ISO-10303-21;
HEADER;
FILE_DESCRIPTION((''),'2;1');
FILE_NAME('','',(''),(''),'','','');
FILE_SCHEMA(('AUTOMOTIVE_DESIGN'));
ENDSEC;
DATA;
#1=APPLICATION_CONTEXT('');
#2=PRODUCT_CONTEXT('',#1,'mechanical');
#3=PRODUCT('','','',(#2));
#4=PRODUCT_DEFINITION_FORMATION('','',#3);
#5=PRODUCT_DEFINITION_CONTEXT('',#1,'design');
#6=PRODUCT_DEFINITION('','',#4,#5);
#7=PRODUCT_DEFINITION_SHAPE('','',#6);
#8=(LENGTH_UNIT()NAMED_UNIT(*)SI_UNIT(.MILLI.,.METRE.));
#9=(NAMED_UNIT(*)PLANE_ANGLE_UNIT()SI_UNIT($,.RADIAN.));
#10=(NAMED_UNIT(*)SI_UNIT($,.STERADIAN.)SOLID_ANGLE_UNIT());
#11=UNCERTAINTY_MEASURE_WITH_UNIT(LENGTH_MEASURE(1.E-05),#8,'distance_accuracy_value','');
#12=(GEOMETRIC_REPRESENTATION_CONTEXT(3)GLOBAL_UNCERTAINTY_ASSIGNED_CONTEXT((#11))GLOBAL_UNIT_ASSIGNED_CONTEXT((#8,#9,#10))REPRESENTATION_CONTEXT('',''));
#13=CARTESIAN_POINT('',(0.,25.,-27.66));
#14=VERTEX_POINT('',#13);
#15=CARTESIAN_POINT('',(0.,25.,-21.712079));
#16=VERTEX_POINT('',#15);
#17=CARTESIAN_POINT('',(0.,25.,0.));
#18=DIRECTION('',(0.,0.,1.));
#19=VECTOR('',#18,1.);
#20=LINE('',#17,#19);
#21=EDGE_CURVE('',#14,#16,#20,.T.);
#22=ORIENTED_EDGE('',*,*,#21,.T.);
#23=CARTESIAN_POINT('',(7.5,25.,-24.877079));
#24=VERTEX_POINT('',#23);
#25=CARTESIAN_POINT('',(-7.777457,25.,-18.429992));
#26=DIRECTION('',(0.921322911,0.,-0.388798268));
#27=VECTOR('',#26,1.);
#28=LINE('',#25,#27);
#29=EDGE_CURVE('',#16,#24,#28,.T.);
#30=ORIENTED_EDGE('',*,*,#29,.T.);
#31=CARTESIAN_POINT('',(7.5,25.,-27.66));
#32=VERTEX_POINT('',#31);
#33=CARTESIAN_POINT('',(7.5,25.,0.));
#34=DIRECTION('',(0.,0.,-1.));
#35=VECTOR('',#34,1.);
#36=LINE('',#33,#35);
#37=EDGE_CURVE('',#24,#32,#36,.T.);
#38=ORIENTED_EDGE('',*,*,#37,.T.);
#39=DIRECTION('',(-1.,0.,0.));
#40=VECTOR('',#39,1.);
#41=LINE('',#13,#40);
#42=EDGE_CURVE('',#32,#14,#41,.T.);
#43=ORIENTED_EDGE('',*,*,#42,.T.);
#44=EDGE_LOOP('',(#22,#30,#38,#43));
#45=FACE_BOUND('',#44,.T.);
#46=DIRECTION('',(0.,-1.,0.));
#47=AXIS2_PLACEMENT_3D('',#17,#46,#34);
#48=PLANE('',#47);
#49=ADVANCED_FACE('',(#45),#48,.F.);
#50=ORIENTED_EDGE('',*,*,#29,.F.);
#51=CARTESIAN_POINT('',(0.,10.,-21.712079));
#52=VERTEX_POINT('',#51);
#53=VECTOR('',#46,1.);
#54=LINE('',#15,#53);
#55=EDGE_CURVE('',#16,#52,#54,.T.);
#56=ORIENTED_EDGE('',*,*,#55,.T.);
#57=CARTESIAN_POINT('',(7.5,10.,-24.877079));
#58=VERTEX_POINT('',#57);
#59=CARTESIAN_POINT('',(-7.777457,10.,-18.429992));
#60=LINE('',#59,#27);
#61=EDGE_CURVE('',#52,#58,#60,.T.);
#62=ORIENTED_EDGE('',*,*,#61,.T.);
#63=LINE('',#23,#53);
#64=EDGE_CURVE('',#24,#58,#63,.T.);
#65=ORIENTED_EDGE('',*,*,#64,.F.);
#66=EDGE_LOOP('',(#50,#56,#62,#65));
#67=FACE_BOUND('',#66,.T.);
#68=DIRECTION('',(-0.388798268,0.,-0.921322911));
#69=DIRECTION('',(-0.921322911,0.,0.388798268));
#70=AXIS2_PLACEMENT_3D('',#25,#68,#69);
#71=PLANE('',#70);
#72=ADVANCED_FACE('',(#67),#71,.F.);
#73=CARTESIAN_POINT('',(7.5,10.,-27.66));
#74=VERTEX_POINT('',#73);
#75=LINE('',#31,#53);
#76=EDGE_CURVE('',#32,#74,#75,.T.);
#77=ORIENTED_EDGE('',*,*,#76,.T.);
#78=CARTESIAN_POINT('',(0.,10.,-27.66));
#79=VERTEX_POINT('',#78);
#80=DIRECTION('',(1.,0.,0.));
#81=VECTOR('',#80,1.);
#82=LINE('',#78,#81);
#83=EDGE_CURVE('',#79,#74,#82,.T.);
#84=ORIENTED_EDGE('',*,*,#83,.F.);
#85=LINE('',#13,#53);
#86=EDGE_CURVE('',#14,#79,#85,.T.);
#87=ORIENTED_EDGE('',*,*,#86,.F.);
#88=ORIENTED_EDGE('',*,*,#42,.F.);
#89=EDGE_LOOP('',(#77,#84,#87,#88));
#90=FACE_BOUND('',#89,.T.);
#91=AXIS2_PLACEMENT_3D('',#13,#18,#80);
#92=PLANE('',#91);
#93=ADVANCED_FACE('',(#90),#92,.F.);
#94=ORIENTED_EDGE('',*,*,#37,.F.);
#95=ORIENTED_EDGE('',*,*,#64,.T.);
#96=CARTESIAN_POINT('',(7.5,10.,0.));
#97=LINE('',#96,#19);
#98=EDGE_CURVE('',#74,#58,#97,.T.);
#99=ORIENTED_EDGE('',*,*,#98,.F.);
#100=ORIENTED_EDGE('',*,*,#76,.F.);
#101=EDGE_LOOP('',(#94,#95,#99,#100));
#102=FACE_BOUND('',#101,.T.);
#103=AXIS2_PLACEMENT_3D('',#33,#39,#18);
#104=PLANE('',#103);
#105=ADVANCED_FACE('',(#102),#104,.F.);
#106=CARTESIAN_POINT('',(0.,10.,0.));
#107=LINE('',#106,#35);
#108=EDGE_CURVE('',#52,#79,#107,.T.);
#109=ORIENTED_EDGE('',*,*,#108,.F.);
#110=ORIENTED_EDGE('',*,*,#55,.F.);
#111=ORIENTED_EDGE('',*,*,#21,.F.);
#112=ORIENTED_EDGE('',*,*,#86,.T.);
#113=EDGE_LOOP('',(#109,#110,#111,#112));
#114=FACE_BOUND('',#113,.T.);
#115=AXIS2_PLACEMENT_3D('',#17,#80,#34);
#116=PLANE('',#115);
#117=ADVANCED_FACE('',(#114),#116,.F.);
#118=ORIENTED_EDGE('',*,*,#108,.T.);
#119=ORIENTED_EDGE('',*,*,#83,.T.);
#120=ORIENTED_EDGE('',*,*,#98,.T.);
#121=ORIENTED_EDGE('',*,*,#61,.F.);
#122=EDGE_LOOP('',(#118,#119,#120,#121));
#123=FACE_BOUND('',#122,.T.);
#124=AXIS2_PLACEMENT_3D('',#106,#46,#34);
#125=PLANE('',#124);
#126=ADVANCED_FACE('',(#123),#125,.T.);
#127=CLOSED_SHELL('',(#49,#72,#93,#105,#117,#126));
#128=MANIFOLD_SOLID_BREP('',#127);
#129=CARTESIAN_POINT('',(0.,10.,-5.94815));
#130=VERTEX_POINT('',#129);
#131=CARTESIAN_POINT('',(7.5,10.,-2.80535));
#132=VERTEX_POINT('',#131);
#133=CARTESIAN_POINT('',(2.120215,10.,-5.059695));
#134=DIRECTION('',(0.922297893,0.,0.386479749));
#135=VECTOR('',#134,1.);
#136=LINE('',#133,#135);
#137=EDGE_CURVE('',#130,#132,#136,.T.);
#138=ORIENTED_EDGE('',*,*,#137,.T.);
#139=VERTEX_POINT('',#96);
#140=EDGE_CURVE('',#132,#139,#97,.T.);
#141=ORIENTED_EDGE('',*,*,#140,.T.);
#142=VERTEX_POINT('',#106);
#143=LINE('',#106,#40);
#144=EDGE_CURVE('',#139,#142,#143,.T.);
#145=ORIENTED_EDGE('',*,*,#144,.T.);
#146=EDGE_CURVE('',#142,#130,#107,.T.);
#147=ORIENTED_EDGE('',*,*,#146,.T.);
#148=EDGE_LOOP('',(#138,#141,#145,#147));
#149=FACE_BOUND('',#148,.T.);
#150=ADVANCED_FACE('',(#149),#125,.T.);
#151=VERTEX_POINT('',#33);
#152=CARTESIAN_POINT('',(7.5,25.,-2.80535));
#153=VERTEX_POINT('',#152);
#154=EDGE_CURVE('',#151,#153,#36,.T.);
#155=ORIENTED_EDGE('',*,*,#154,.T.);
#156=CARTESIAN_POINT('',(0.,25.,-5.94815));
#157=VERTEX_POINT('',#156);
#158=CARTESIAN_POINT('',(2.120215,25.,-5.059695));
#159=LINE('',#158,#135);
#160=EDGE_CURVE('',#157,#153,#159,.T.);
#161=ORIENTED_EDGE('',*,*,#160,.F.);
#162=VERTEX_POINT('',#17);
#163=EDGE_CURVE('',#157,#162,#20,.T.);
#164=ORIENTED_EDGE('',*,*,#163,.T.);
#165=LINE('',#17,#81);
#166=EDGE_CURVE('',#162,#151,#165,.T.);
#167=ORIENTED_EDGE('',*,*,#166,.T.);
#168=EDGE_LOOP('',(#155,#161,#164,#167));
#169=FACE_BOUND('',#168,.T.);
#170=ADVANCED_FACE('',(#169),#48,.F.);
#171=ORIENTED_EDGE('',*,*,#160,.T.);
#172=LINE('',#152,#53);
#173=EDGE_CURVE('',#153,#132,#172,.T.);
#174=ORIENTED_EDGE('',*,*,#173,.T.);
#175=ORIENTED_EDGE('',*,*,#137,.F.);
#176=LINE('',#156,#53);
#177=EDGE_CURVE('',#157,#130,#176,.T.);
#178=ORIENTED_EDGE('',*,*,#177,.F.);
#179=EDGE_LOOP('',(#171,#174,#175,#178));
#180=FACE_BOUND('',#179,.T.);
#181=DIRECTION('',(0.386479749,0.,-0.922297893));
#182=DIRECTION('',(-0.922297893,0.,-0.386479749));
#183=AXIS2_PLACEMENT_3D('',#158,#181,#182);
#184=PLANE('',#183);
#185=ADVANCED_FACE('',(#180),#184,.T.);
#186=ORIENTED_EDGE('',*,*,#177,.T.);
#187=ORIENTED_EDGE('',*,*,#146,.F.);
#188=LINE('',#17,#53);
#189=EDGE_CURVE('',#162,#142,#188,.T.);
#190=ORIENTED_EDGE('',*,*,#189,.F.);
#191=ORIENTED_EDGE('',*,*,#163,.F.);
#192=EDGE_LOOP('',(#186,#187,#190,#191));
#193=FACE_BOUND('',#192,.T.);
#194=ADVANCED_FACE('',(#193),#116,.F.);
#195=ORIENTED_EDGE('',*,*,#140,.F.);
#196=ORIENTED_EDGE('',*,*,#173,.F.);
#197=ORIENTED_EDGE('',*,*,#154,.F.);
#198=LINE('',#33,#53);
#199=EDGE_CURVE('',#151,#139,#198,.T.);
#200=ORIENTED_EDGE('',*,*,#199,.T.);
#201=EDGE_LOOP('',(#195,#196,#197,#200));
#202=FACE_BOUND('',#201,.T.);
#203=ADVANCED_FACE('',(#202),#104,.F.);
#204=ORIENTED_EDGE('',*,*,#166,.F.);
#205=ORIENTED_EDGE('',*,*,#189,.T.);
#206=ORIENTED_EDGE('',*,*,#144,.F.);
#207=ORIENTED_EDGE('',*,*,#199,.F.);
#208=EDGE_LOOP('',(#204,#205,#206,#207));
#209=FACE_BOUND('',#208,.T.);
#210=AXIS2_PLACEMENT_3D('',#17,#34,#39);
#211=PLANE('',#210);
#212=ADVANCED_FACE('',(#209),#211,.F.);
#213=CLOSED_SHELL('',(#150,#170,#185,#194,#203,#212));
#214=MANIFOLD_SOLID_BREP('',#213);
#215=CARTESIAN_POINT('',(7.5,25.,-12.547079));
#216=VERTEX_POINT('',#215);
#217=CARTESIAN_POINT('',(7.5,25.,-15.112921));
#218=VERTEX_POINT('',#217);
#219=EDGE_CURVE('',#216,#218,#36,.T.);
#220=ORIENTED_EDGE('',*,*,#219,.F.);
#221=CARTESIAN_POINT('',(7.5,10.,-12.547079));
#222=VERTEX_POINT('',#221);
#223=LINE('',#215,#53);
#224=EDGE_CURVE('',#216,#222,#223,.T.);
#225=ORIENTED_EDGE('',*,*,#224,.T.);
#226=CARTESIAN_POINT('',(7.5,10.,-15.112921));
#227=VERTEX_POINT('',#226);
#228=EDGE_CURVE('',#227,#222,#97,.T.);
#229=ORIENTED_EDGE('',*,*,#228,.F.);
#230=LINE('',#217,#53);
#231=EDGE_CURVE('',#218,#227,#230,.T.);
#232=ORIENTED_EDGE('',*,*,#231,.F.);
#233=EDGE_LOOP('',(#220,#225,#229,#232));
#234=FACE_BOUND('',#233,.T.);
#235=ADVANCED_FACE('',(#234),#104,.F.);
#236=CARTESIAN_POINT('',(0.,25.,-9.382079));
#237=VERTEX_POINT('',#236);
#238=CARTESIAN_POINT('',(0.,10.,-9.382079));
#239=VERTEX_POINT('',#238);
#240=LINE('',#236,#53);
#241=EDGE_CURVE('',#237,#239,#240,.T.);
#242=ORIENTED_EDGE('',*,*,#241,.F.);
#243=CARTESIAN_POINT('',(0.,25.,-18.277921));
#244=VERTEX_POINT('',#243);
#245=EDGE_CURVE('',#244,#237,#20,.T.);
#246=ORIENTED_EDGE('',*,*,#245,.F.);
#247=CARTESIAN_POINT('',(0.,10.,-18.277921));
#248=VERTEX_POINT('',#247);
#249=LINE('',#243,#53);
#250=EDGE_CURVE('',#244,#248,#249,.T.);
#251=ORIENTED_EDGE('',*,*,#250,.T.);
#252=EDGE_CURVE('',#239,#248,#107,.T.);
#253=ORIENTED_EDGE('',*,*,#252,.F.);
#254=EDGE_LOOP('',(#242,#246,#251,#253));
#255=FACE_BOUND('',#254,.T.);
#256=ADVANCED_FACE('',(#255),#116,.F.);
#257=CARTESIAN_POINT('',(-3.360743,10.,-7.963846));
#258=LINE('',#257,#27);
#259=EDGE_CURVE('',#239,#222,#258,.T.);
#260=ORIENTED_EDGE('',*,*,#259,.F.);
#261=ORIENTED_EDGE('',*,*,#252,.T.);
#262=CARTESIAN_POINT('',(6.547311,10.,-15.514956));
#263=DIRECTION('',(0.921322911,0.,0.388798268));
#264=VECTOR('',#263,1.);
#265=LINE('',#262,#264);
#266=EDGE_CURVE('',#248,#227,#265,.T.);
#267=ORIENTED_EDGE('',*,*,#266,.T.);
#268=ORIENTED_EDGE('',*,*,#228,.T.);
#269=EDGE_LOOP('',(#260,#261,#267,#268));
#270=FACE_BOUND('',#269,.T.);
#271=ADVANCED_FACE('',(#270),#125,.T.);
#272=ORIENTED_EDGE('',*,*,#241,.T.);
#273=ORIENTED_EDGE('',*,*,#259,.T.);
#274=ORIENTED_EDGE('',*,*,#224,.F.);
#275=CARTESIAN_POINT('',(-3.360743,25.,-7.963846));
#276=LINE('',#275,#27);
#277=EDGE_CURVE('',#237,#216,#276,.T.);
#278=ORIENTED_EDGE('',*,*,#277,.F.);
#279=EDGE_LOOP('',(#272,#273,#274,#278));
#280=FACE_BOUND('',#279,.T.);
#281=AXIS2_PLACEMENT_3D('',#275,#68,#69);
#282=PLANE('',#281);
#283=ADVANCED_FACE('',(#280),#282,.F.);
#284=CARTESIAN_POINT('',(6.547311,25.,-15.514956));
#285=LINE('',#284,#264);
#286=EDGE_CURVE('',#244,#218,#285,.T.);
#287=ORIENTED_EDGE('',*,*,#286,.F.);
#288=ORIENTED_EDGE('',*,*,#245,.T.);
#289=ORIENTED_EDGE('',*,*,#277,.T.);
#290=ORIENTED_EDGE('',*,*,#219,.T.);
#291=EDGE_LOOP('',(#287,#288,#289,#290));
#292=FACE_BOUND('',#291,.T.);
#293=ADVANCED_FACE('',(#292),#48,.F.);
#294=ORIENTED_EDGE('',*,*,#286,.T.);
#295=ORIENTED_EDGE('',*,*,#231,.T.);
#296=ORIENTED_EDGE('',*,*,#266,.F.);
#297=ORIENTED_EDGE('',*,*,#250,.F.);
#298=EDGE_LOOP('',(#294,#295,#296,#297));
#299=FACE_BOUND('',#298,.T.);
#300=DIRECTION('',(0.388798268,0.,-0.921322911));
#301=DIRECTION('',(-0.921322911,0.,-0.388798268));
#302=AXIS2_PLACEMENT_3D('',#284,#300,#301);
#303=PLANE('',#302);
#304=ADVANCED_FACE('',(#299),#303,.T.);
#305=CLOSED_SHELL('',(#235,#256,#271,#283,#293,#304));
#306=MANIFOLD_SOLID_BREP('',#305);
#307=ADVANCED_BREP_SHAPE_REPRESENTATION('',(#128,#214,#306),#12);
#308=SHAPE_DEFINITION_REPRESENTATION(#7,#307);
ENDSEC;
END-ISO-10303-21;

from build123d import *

# Parameters (mm, degrees)
SKETCH1_W               = 7.5
SKETCH1_H               = 27.66
BOSS_EXTRUDE1_DEPTH     = 25
SKETCH2_W               = 7.5
SKETCH2_H               = 27.66
CUT_EXTRUDE1_DEPTH      = 10
CUT_EXTRUDE2_DEPTH      = 1
CUT_EXTRUDE2_DEPTH_BACK = 16
CUT_EXTRUDE3_DEPTH      = 1
CUT_EXTRUDE3_DEPTH_BACK = 16


with BuildPart() as part:
    # Sketch1 → Boss-Extrude1 (new body)
    with BuildSketch(Plane(origin=(0, 0, 0), x_dir=(1, 0, 0), z_dir=(0, 1, 0))):
        with Locations((3.75, 13.83)):
            Rectangle(SKETCH1_W, SKETCH1_H)
    extrude(amount=BOSS_EXTRUDE1_DEPTH)

    # Sketch2 → Cut-Extrude1 (cut)
    with BuildSketch(Plane.XZ):
        with Locations((3.75, -13.83)):
            Rectangle(SKETCH2_W, SKETCH2_H)
    extrude(amount=-CUT_EXTRUDE1_DEPTH, mode=Mode.SUBTRACT)

    # Sketch3 → Cut-Extrude2 (cut, two sides)
    with BuildSketch(Plane.XZ.offset(-10)) as cut_extrude2_sk:
        Polygon((0, -5.948150323), (0, -6.381849677), (7.5, -3.239049355), (7.5, -2.805350002), align=None)
        Polygon((7.5, -12.112920844), (0, -8.947920844), (0, -9.382079156), (7.5, -12.547079156), align=None)
        Polygon((0, -18.277920844), (0, -18.712079156), (7.5, -15.547079156), (7.5, -15.112920844), align=None)
        Polygon((7.5, -24.442920844), (0, -21.277920844), (0, -21.712079156), (7.5, -24.877079156), align=None)
    extrude(amount=CUT_EXTRUDE2_DEPTH, mode=Mode.SUBTRACT)
    extrude(cut_extrude2_sk.sketch, amount=-CUT_EXTRUDE2_DEPTH_BACK, mode=Mode.SUBTRACT)

    # Sketch4 → Cut-Extrude3 (cut, two sides)
    with BuildSketch(Plane.XZ.offset(-10)) as cut_extrude3_sk:
        Polygon((0, -18.712079156), (7.5, -15.547079156), (7.5, -24.442920844), (0, -21.277920844), align=None)
        Polygon((0, -6.381849677), (7.5, -3.239049355), (7.5, -12.112920844), (0, -8.947920844), align=None)
    extrude(amount=CUT_EXTRUDE3_DEPTH, mode=Mode.SUBTRACT)
    extrude(cut_extrude3_sk.sketch, amount=-CUT_EXTRUDE3_DEPTH_BACK, mode=Mode.SUBTRACT)


solid = part.part
